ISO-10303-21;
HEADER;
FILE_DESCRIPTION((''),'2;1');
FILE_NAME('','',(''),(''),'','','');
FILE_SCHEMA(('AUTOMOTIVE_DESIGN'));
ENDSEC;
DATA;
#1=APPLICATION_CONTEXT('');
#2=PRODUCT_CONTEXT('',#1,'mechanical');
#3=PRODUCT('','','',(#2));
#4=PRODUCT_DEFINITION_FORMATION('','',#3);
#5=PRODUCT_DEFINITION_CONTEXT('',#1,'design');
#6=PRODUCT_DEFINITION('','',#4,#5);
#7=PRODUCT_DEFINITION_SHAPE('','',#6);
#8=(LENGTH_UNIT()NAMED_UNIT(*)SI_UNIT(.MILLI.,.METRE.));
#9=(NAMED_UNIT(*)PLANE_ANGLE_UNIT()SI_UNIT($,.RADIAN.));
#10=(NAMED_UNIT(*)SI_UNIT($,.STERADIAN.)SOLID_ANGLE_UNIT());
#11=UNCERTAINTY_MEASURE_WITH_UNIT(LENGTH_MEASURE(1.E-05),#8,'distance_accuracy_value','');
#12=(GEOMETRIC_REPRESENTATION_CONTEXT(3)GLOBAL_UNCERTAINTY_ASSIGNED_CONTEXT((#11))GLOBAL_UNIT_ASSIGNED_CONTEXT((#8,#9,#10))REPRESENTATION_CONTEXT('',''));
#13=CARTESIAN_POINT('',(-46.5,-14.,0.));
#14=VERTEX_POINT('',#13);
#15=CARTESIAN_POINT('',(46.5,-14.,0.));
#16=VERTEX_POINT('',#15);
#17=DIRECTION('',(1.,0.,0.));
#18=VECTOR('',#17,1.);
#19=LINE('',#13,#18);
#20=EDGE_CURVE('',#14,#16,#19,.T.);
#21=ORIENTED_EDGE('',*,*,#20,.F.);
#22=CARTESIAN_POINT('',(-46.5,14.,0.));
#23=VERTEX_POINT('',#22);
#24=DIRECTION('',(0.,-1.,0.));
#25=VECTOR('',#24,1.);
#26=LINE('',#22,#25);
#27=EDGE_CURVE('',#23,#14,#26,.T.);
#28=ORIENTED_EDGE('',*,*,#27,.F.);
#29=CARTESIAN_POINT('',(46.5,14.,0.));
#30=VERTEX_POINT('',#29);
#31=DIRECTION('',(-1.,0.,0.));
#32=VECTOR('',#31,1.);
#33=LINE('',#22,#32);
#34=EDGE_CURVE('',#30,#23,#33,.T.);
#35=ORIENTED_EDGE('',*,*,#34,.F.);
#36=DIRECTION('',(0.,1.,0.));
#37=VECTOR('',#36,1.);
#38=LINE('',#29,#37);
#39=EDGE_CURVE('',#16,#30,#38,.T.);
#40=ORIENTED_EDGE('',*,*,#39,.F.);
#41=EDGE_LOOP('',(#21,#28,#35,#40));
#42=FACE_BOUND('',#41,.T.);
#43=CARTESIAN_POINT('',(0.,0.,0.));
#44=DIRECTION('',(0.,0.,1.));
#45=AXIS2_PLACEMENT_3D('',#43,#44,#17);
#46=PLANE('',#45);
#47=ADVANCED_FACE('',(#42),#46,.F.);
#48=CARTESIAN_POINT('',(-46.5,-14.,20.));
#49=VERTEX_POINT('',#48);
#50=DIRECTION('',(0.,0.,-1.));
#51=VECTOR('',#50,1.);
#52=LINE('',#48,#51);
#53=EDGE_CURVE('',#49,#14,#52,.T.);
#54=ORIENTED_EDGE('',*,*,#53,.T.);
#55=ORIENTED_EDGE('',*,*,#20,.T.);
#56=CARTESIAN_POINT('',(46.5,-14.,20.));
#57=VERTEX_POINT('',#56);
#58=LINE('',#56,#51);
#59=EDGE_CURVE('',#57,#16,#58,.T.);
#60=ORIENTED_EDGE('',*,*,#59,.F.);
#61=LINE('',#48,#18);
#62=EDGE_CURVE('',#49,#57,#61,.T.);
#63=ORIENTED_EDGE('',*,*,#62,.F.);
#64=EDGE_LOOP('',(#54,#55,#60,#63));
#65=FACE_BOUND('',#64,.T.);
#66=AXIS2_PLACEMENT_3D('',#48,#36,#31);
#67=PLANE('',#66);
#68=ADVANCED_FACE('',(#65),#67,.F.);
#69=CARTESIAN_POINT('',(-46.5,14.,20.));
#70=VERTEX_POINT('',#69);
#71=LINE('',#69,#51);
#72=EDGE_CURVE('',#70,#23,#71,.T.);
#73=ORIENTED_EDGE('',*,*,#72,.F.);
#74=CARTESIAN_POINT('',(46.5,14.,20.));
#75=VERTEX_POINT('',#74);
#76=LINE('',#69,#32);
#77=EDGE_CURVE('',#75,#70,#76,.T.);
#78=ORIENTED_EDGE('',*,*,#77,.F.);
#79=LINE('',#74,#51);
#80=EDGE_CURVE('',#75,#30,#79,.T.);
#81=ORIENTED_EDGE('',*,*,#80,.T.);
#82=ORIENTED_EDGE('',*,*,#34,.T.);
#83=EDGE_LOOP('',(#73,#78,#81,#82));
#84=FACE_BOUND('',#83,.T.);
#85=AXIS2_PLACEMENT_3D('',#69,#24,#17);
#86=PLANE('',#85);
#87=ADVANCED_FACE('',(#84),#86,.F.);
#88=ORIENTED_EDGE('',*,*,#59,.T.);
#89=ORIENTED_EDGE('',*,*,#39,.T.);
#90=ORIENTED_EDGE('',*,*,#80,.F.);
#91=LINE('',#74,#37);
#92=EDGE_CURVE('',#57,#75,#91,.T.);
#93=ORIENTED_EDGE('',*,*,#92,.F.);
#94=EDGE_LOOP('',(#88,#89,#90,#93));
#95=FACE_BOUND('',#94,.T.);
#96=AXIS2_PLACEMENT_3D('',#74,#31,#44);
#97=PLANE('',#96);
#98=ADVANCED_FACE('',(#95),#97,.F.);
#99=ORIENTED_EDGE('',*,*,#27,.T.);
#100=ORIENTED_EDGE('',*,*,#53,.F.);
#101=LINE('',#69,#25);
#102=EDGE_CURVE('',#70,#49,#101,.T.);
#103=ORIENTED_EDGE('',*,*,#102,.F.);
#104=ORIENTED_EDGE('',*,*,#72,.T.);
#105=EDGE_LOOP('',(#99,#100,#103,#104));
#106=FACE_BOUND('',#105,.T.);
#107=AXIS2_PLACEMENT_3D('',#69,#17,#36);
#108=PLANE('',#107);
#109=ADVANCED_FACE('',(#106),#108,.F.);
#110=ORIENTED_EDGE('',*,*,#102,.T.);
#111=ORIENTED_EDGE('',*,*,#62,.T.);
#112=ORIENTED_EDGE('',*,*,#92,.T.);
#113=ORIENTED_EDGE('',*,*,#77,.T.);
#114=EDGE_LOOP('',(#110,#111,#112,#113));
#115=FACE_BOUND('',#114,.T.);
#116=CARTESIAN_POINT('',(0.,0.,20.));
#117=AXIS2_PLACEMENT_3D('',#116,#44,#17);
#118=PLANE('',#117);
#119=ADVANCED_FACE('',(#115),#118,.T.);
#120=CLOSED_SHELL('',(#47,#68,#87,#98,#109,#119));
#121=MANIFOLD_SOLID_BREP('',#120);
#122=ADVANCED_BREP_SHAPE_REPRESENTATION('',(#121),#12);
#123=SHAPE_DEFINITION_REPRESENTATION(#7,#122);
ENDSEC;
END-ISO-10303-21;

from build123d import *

# Parameters (mm, degrees)
SKETCH_1_W      = 93
SKETCH_1_H      = 28
EXTRUDE_1_DEPTH = 20


with BuildPart() as part:
    # 草图1 → 凸台-拉伸1 (new body)
    with BuildSketch(Plane.XY):
        Rectangle(SKETCH_1_W, SKETCH_1_H)
    extrude(amount=EXTRUDE_1_DEPTH)


solid = part.part
